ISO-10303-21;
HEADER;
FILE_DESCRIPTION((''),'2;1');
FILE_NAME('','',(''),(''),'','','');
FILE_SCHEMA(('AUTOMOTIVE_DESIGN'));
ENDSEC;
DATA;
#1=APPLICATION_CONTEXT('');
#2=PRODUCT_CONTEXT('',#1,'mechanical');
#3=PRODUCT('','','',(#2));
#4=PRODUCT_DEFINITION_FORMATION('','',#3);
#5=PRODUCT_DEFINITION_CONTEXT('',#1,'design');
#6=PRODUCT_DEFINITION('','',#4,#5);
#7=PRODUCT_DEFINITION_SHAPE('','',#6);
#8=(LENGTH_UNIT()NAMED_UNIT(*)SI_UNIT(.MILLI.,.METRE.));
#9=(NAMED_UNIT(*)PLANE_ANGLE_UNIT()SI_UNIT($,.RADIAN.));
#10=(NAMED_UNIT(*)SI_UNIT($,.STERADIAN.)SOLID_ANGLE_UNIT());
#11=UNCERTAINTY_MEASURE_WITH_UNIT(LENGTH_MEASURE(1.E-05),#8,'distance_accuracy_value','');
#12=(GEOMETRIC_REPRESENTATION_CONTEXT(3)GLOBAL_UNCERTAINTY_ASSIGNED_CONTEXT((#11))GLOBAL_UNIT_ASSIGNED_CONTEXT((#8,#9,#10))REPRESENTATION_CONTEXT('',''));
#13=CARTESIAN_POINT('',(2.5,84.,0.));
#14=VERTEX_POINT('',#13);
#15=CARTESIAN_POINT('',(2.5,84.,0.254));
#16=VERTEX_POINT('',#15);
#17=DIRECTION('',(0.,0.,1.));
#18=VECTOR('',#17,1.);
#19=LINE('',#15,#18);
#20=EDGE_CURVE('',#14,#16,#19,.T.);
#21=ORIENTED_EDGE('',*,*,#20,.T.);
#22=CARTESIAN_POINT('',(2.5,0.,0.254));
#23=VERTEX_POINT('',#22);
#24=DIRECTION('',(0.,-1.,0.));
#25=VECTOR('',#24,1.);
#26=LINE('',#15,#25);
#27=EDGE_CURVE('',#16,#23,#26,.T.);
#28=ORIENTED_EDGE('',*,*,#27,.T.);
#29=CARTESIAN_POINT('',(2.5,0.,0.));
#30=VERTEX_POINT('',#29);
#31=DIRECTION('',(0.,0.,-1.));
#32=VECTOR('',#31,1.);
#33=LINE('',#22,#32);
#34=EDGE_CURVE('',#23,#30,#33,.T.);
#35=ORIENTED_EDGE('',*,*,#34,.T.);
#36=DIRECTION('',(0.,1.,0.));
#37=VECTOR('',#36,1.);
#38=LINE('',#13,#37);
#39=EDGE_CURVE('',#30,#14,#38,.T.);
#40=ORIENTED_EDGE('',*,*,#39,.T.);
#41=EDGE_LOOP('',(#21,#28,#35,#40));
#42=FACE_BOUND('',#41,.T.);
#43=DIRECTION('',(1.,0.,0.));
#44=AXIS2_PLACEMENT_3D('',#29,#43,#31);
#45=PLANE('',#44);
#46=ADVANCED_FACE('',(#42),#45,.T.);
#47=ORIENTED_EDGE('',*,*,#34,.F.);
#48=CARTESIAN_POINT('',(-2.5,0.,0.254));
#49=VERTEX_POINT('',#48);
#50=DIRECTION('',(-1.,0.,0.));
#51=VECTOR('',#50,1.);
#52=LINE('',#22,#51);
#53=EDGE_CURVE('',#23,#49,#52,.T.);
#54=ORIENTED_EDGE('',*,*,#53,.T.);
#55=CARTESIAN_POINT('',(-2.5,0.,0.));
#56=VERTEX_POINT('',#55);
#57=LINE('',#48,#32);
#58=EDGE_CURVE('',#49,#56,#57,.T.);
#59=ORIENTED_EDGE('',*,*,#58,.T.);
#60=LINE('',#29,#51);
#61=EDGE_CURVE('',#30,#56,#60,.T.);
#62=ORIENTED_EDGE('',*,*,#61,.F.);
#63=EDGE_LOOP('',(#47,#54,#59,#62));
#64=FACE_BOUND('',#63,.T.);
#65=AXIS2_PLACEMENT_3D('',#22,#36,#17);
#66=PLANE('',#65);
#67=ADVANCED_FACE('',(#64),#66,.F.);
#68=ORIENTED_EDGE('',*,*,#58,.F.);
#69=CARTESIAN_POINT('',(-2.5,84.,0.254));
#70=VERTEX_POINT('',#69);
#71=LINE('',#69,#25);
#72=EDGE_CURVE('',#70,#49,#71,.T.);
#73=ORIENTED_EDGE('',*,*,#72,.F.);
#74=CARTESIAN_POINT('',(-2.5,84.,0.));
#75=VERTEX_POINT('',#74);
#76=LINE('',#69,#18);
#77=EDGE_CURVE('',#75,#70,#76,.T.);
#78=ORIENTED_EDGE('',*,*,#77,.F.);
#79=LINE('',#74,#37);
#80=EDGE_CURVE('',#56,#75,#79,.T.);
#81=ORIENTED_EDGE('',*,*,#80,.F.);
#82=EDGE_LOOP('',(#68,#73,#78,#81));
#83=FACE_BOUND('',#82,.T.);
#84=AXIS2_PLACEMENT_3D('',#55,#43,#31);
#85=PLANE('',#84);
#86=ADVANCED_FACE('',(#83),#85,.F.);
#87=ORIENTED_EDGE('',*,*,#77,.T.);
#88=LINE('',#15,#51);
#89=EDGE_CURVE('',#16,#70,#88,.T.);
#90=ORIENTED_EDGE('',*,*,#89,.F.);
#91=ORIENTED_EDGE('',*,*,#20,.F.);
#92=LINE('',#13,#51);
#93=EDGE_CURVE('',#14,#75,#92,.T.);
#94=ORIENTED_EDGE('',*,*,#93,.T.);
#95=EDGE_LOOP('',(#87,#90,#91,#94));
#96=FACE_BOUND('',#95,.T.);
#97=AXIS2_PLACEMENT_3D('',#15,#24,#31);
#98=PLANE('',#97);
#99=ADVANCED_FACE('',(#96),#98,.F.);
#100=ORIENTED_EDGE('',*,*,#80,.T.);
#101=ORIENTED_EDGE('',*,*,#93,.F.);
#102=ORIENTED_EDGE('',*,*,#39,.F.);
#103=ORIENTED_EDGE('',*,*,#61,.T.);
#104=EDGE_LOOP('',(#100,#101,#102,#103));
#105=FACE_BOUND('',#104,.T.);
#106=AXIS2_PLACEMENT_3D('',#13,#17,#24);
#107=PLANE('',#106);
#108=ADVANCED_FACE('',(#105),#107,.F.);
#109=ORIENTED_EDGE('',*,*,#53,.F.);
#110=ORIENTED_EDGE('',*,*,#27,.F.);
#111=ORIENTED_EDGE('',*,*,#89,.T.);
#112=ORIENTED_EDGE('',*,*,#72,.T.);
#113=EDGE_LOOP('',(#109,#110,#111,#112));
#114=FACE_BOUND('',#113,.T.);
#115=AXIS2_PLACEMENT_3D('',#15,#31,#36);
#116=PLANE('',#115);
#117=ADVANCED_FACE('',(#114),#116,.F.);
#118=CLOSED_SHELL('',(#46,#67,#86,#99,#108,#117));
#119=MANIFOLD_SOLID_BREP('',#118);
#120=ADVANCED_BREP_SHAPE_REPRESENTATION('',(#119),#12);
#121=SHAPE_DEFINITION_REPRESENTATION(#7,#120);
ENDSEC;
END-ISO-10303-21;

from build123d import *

# Parameters (mm, degrees)
SKETCH1_W           = 0.254
SKETCH1_H           = 84
BOSS_EXTRUDE1_DEPTH = 2.5


with BuildPart() as part:
    # Sketch1 → Boss-Extrude1 (new, symmetric)
    with BuildSketch(Plane(origin=(0, 0, 0), x_dir=(0, 0, -1), z_dir=(1, 0, 0))):
        with Locations((-0.127, 42)):
            Rectangle(SKETCH1_W, SKETCH1_H)
    extrude(amount=BOSS_EXTRUDE1_DEPTH, both=True)


solid = part.part
